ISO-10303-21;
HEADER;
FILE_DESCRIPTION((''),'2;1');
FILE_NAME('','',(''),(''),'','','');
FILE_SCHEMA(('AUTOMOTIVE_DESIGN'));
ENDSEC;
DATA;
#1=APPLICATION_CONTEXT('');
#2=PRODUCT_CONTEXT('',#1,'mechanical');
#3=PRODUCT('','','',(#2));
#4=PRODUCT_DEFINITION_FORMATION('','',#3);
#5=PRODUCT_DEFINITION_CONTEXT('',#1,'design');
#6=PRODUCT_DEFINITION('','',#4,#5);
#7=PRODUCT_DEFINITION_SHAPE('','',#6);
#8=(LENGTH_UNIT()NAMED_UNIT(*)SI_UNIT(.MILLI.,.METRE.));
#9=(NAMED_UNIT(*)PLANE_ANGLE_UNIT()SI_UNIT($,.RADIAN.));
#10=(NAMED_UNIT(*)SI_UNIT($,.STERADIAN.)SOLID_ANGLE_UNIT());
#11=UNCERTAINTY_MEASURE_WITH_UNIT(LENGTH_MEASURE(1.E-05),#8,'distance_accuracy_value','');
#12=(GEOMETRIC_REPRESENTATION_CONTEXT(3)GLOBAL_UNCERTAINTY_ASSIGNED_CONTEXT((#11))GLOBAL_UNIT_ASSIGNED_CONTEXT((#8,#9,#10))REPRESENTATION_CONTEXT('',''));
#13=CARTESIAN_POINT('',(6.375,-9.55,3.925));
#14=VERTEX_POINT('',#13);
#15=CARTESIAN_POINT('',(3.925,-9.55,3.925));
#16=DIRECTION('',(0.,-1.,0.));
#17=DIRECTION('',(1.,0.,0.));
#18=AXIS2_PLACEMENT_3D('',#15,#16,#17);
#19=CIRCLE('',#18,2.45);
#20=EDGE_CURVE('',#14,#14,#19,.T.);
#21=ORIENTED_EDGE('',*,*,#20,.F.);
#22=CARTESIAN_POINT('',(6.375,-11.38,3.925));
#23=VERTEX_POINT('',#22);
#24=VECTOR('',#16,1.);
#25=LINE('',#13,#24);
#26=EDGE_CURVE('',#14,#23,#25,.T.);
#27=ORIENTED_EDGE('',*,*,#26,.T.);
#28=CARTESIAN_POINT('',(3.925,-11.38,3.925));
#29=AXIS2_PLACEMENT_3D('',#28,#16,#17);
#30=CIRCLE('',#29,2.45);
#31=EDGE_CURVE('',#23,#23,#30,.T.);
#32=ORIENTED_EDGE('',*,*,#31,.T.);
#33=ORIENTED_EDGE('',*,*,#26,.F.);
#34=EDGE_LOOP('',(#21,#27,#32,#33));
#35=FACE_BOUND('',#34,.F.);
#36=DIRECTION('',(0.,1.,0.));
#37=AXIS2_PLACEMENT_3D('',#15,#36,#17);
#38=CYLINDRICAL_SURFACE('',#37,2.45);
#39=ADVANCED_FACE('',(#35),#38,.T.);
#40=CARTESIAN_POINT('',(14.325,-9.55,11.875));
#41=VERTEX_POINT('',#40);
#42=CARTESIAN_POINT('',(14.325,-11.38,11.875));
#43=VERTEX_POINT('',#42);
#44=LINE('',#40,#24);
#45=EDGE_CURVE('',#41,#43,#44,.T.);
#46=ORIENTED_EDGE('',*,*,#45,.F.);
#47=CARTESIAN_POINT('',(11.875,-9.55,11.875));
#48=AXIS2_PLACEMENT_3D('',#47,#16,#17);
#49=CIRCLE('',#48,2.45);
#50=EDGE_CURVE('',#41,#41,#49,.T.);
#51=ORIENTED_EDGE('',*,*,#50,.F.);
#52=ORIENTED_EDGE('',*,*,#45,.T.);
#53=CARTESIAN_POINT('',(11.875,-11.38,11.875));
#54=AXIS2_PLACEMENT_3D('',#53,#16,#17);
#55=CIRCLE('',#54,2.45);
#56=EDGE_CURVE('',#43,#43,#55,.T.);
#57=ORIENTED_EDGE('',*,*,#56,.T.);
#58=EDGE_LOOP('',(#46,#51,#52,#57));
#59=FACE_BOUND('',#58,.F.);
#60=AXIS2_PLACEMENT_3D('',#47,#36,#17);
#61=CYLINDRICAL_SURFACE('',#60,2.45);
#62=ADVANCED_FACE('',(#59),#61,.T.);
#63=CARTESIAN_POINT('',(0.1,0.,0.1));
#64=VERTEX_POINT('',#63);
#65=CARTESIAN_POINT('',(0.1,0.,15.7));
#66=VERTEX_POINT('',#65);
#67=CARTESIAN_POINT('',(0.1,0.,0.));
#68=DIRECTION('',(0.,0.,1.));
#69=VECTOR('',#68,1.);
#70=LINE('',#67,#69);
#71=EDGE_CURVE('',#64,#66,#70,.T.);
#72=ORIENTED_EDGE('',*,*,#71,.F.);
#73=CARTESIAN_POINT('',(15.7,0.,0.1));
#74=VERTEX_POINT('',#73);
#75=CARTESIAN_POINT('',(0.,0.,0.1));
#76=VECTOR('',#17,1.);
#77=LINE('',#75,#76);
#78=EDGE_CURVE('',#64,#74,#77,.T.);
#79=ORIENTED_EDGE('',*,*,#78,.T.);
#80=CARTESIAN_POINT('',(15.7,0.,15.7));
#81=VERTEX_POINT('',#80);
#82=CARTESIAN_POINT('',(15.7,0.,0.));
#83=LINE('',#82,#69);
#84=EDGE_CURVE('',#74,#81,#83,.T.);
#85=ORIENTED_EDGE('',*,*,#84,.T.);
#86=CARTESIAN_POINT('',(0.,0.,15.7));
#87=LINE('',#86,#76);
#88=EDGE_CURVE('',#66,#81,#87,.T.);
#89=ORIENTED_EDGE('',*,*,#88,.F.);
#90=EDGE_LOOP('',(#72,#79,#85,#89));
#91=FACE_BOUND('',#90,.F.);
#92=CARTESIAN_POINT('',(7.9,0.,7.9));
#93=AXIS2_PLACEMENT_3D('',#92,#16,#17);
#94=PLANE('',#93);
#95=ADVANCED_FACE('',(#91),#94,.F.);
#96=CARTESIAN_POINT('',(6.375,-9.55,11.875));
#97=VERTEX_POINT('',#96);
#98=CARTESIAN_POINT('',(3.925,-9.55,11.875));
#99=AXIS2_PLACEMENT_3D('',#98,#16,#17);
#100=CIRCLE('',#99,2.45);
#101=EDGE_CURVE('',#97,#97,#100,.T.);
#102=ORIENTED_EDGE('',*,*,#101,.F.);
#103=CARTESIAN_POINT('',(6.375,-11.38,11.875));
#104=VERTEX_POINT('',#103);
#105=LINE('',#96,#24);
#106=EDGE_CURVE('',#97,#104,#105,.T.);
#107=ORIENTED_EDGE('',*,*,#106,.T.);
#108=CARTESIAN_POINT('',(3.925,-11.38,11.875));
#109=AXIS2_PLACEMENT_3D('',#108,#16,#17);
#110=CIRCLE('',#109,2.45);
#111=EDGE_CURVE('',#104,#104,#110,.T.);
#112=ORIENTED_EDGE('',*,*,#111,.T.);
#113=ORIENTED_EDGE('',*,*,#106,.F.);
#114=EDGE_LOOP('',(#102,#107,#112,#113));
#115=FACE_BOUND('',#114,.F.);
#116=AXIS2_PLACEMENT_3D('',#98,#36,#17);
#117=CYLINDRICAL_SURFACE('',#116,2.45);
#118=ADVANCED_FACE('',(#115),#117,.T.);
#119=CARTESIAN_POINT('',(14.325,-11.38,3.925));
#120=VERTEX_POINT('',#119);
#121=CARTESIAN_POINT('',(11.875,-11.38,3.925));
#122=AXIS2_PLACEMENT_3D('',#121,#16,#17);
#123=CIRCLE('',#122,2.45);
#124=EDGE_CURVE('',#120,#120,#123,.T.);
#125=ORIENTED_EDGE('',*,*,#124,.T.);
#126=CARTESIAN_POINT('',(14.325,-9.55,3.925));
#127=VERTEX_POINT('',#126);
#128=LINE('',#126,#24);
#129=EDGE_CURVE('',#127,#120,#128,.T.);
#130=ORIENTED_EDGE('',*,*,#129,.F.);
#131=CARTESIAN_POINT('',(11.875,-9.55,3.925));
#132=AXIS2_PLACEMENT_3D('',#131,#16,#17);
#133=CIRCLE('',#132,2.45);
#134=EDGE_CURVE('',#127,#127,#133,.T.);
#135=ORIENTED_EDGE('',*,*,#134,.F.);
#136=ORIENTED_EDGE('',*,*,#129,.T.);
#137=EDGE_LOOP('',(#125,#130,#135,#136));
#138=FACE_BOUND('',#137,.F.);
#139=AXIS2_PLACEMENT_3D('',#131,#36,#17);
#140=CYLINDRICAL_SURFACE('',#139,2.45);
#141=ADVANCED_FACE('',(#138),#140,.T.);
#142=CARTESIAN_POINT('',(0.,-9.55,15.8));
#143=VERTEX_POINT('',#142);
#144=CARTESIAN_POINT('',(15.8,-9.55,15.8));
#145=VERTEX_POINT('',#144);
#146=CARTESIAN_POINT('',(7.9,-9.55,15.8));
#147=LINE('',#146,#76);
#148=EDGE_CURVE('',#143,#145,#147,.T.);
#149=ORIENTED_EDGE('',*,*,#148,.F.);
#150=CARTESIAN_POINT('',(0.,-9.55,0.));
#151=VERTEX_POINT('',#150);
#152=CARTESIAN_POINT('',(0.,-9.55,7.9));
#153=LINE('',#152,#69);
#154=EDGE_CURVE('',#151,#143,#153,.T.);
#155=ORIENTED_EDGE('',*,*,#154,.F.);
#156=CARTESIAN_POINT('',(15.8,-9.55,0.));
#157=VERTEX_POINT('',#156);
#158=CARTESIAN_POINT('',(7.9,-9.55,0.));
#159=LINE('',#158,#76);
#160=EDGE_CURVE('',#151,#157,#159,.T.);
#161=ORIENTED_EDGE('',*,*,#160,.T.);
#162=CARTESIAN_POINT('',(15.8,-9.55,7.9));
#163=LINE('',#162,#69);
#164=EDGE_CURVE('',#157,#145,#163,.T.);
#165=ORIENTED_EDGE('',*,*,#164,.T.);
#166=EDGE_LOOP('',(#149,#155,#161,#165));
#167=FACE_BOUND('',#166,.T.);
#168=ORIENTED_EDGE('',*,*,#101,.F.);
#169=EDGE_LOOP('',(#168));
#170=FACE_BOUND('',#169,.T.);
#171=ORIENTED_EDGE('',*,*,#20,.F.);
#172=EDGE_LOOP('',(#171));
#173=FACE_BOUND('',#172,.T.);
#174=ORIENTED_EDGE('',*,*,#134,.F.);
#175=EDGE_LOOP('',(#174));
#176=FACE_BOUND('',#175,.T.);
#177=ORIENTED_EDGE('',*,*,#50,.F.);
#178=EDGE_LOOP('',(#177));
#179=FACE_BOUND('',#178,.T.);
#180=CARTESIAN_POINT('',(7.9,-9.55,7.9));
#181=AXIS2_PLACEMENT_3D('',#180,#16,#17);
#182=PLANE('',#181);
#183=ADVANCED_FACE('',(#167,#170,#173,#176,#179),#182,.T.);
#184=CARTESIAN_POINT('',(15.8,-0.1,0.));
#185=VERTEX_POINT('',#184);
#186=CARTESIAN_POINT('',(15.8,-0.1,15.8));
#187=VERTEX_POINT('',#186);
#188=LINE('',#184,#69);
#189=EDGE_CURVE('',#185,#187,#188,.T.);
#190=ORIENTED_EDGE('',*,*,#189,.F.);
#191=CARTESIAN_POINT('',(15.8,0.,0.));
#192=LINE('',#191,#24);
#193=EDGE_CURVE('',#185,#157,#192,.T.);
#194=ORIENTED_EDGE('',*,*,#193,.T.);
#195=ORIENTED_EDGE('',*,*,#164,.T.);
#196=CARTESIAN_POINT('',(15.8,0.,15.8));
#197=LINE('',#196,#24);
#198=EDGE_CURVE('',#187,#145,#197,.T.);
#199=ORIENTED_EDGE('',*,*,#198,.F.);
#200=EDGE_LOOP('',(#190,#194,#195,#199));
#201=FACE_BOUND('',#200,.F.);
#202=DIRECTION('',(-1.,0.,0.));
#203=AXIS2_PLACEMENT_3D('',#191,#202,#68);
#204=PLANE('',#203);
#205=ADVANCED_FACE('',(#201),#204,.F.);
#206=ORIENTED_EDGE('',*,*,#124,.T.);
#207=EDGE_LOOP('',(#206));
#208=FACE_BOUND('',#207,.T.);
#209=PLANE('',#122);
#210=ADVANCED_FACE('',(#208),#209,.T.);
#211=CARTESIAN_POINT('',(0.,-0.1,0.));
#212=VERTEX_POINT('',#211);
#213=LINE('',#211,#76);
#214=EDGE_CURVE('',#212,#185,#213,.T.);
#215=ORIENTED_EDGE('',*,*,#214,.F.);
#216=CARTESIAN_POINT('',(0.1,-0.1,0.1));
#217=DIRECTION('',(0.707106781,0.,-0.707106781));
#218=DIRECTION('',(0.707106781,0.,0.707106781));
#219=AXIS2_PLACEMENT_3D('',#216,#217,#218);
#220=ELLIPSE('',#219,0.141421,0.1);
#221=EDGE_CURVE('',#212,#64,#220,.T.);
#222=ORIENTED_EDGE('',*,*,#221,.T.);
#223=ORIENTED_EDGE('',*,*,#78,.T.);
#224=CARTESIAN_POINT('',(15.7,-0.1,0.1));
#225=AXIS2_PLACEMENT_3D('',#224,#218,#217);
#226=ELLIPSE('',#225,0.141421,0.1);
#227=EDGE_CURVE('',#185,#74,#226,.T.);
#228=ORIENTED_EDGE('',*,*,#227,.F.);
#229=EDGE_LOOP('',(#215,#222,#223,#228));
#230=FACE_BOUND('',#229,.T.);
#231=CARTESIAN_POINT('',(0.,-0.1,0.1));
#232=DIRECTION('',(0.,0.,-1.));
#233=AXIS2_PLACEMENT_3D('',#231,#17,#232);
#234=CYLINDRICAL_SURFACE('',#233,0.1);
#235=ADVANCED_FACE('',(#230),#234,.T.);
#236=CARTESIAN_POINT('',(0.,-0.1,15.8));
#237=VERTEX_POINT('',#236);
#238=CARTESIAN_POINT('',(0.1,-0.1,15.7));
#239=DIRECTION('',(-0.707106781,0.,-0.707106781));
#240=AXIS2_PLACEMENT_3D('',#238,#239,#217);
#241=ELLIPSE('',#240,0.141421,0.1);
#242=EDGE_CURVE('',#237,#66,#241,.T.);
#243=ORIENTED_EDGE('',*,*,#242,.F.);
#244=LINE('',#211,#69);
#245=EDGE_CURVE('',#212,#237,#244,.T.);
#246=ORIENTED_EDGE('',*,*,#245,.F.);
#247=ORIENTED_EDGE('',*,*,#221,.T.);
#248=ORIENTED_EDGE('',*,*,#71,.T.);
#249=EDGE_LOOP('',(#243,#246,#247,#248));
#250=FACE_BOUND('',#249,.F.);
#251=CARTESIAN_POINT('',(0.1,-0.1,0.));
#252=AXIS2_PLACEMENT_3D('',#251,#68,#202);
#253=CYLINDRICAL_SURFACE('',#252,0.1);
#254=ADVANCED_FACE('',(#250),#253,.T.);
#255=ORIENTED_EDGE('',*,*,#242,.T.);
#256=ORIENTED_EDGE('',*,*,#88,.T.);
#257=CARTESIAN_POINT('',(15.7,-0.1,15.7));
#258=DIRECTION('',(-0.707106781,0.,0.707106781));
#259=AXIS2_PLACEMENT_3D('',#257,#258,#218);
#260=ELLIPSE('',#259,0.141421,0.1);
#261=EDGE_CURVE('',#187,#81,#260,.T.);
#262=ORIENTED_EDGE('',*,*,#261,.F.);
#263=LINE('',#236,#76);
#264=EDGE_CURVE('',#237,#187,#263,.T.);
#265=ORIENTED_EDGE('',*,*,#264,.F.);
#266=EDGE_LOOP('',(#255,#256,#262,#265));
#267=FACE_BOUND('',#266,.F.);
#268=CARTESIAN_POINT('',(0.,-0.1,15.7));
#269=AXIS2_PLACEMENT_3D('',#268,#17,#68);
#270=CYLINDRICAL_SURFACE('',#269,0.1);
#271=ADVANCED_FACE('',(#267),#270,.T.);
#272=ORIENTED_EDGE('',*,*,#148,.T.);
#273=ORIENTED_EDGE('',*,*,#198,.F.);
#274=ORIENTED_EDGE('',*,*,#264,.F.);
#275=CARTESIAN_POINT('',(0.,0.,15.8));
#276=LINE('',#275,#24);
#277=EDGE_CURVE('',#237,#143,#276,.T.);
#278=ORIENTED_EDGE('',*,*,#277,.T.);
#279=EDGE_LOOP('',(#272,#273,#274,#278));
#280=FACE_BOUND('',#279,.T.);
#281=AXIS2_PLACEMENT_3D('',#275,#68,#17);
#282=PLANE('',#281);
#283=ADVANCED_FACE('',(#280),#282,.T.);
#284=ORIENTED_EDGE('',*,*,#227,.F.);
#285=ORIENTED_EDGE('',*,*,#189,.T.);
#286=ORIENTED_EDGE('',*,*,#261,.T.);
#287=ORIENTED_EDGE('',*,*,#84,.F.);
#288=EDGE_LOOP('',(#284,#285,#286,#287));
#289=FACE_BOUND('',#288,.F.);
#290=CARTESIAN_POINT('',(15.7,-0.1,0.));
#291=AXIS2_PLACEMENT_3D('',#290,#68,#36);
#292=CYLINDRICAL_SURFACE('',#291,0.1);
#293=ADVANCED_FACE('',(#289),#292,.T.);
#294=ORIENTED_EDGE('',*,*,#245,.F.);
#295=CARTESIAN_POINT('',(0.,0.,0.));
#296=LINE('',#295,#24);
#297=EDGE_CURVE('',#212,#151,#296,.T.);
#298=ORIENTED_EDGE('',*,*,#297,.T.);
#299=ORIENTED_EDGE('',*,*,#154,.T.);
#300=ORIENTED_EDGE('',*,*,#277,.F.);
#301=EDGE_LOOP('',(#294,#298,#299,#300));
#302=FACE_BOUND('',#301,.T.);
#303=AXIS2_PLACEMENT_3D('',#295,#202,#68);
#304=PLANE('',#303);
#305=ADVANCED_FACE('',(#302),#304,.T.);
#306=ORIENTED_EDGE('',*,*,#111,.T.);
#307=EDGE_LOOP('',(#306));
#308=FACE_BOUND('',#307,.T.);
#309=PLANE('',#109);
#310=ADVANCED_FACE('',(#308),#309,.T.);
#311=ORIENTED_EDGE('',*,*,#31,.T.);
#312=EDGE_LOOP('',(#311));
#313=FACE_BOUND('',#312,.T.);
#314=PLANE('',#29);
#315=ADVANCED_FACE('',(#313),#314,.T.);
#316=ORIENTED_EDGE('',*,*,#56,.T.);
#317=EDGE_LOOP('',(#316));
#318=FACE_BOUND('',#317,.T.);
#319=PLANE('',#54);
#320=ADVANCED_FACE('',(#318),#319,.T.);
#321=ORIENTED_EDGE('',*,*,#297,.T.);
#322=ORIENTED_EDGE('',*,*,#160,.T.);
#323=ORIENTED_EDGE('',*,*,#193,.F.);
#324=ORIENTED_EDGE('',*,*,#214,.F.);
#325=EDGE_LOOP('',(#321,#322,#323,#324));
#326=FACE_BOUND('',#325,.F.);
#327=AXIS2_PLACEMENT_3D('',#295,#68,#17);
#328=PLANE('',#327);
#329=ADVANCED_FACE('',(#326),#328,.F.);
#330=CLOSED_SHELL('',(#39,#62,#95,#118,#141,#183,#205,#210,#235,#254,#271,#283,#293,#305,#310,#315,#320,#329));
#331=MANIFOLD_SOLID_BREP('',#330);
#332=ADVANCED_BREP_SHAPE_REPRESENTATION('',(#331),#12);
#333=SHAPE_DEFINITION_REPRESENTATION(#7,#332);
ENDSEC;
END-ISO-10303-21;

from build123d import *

# Parameters (mm, degrees)
F0_W     = 15.8
F0_H     = 15.8
F1_DEPTH = 9.55
F2_R     = 2.45
F4_DEPTH = 1.83
F3_R     = 2.45
F6_DEPTH = 1.83
F7_R     = 0.1


with BuildPart() as f1:
    # F0 (on Front) → F1 (new body)
    with BuildSketch(Plane.XZ):
        with Locations((7.9, 7.9)):
            Rectangle(F0_W, F0_H)
    extrude(amount=F1_DEPTH)

    # F2 (on face) → F4 (join)
    with BuildSketch(Plane.XZ.offset(9.55)):
        with Locations((3.925, 11.875)):
            Circle(F2_R)
    extrude(amount=F4_DEPTH)

    # F3 (on face) → F6 (join)
    with BuildSketch(Plane.XZ.offset(9.55)):
        with Locations((11.875, 11.875)):
            Circle(F3_R)
        with Locations((3.925, 3.925)):
            Circle(F3_R)
        with Locations((11.875, 3.925)):
            Circle(F3_R)
    extrude(amount=F6_DEPTH)

    # F7
    f7_edges = [f1.edges().sort_by_distance(p)[0] for p in [
        (7.9, 0, 15.8),
        (0, 0, 7.9),
        (7.9, 0, 0),
        (15.8, 0, 7.9),
    ]]
    fillet(f7_edges, radius=F7_R)


solid = f1.part
